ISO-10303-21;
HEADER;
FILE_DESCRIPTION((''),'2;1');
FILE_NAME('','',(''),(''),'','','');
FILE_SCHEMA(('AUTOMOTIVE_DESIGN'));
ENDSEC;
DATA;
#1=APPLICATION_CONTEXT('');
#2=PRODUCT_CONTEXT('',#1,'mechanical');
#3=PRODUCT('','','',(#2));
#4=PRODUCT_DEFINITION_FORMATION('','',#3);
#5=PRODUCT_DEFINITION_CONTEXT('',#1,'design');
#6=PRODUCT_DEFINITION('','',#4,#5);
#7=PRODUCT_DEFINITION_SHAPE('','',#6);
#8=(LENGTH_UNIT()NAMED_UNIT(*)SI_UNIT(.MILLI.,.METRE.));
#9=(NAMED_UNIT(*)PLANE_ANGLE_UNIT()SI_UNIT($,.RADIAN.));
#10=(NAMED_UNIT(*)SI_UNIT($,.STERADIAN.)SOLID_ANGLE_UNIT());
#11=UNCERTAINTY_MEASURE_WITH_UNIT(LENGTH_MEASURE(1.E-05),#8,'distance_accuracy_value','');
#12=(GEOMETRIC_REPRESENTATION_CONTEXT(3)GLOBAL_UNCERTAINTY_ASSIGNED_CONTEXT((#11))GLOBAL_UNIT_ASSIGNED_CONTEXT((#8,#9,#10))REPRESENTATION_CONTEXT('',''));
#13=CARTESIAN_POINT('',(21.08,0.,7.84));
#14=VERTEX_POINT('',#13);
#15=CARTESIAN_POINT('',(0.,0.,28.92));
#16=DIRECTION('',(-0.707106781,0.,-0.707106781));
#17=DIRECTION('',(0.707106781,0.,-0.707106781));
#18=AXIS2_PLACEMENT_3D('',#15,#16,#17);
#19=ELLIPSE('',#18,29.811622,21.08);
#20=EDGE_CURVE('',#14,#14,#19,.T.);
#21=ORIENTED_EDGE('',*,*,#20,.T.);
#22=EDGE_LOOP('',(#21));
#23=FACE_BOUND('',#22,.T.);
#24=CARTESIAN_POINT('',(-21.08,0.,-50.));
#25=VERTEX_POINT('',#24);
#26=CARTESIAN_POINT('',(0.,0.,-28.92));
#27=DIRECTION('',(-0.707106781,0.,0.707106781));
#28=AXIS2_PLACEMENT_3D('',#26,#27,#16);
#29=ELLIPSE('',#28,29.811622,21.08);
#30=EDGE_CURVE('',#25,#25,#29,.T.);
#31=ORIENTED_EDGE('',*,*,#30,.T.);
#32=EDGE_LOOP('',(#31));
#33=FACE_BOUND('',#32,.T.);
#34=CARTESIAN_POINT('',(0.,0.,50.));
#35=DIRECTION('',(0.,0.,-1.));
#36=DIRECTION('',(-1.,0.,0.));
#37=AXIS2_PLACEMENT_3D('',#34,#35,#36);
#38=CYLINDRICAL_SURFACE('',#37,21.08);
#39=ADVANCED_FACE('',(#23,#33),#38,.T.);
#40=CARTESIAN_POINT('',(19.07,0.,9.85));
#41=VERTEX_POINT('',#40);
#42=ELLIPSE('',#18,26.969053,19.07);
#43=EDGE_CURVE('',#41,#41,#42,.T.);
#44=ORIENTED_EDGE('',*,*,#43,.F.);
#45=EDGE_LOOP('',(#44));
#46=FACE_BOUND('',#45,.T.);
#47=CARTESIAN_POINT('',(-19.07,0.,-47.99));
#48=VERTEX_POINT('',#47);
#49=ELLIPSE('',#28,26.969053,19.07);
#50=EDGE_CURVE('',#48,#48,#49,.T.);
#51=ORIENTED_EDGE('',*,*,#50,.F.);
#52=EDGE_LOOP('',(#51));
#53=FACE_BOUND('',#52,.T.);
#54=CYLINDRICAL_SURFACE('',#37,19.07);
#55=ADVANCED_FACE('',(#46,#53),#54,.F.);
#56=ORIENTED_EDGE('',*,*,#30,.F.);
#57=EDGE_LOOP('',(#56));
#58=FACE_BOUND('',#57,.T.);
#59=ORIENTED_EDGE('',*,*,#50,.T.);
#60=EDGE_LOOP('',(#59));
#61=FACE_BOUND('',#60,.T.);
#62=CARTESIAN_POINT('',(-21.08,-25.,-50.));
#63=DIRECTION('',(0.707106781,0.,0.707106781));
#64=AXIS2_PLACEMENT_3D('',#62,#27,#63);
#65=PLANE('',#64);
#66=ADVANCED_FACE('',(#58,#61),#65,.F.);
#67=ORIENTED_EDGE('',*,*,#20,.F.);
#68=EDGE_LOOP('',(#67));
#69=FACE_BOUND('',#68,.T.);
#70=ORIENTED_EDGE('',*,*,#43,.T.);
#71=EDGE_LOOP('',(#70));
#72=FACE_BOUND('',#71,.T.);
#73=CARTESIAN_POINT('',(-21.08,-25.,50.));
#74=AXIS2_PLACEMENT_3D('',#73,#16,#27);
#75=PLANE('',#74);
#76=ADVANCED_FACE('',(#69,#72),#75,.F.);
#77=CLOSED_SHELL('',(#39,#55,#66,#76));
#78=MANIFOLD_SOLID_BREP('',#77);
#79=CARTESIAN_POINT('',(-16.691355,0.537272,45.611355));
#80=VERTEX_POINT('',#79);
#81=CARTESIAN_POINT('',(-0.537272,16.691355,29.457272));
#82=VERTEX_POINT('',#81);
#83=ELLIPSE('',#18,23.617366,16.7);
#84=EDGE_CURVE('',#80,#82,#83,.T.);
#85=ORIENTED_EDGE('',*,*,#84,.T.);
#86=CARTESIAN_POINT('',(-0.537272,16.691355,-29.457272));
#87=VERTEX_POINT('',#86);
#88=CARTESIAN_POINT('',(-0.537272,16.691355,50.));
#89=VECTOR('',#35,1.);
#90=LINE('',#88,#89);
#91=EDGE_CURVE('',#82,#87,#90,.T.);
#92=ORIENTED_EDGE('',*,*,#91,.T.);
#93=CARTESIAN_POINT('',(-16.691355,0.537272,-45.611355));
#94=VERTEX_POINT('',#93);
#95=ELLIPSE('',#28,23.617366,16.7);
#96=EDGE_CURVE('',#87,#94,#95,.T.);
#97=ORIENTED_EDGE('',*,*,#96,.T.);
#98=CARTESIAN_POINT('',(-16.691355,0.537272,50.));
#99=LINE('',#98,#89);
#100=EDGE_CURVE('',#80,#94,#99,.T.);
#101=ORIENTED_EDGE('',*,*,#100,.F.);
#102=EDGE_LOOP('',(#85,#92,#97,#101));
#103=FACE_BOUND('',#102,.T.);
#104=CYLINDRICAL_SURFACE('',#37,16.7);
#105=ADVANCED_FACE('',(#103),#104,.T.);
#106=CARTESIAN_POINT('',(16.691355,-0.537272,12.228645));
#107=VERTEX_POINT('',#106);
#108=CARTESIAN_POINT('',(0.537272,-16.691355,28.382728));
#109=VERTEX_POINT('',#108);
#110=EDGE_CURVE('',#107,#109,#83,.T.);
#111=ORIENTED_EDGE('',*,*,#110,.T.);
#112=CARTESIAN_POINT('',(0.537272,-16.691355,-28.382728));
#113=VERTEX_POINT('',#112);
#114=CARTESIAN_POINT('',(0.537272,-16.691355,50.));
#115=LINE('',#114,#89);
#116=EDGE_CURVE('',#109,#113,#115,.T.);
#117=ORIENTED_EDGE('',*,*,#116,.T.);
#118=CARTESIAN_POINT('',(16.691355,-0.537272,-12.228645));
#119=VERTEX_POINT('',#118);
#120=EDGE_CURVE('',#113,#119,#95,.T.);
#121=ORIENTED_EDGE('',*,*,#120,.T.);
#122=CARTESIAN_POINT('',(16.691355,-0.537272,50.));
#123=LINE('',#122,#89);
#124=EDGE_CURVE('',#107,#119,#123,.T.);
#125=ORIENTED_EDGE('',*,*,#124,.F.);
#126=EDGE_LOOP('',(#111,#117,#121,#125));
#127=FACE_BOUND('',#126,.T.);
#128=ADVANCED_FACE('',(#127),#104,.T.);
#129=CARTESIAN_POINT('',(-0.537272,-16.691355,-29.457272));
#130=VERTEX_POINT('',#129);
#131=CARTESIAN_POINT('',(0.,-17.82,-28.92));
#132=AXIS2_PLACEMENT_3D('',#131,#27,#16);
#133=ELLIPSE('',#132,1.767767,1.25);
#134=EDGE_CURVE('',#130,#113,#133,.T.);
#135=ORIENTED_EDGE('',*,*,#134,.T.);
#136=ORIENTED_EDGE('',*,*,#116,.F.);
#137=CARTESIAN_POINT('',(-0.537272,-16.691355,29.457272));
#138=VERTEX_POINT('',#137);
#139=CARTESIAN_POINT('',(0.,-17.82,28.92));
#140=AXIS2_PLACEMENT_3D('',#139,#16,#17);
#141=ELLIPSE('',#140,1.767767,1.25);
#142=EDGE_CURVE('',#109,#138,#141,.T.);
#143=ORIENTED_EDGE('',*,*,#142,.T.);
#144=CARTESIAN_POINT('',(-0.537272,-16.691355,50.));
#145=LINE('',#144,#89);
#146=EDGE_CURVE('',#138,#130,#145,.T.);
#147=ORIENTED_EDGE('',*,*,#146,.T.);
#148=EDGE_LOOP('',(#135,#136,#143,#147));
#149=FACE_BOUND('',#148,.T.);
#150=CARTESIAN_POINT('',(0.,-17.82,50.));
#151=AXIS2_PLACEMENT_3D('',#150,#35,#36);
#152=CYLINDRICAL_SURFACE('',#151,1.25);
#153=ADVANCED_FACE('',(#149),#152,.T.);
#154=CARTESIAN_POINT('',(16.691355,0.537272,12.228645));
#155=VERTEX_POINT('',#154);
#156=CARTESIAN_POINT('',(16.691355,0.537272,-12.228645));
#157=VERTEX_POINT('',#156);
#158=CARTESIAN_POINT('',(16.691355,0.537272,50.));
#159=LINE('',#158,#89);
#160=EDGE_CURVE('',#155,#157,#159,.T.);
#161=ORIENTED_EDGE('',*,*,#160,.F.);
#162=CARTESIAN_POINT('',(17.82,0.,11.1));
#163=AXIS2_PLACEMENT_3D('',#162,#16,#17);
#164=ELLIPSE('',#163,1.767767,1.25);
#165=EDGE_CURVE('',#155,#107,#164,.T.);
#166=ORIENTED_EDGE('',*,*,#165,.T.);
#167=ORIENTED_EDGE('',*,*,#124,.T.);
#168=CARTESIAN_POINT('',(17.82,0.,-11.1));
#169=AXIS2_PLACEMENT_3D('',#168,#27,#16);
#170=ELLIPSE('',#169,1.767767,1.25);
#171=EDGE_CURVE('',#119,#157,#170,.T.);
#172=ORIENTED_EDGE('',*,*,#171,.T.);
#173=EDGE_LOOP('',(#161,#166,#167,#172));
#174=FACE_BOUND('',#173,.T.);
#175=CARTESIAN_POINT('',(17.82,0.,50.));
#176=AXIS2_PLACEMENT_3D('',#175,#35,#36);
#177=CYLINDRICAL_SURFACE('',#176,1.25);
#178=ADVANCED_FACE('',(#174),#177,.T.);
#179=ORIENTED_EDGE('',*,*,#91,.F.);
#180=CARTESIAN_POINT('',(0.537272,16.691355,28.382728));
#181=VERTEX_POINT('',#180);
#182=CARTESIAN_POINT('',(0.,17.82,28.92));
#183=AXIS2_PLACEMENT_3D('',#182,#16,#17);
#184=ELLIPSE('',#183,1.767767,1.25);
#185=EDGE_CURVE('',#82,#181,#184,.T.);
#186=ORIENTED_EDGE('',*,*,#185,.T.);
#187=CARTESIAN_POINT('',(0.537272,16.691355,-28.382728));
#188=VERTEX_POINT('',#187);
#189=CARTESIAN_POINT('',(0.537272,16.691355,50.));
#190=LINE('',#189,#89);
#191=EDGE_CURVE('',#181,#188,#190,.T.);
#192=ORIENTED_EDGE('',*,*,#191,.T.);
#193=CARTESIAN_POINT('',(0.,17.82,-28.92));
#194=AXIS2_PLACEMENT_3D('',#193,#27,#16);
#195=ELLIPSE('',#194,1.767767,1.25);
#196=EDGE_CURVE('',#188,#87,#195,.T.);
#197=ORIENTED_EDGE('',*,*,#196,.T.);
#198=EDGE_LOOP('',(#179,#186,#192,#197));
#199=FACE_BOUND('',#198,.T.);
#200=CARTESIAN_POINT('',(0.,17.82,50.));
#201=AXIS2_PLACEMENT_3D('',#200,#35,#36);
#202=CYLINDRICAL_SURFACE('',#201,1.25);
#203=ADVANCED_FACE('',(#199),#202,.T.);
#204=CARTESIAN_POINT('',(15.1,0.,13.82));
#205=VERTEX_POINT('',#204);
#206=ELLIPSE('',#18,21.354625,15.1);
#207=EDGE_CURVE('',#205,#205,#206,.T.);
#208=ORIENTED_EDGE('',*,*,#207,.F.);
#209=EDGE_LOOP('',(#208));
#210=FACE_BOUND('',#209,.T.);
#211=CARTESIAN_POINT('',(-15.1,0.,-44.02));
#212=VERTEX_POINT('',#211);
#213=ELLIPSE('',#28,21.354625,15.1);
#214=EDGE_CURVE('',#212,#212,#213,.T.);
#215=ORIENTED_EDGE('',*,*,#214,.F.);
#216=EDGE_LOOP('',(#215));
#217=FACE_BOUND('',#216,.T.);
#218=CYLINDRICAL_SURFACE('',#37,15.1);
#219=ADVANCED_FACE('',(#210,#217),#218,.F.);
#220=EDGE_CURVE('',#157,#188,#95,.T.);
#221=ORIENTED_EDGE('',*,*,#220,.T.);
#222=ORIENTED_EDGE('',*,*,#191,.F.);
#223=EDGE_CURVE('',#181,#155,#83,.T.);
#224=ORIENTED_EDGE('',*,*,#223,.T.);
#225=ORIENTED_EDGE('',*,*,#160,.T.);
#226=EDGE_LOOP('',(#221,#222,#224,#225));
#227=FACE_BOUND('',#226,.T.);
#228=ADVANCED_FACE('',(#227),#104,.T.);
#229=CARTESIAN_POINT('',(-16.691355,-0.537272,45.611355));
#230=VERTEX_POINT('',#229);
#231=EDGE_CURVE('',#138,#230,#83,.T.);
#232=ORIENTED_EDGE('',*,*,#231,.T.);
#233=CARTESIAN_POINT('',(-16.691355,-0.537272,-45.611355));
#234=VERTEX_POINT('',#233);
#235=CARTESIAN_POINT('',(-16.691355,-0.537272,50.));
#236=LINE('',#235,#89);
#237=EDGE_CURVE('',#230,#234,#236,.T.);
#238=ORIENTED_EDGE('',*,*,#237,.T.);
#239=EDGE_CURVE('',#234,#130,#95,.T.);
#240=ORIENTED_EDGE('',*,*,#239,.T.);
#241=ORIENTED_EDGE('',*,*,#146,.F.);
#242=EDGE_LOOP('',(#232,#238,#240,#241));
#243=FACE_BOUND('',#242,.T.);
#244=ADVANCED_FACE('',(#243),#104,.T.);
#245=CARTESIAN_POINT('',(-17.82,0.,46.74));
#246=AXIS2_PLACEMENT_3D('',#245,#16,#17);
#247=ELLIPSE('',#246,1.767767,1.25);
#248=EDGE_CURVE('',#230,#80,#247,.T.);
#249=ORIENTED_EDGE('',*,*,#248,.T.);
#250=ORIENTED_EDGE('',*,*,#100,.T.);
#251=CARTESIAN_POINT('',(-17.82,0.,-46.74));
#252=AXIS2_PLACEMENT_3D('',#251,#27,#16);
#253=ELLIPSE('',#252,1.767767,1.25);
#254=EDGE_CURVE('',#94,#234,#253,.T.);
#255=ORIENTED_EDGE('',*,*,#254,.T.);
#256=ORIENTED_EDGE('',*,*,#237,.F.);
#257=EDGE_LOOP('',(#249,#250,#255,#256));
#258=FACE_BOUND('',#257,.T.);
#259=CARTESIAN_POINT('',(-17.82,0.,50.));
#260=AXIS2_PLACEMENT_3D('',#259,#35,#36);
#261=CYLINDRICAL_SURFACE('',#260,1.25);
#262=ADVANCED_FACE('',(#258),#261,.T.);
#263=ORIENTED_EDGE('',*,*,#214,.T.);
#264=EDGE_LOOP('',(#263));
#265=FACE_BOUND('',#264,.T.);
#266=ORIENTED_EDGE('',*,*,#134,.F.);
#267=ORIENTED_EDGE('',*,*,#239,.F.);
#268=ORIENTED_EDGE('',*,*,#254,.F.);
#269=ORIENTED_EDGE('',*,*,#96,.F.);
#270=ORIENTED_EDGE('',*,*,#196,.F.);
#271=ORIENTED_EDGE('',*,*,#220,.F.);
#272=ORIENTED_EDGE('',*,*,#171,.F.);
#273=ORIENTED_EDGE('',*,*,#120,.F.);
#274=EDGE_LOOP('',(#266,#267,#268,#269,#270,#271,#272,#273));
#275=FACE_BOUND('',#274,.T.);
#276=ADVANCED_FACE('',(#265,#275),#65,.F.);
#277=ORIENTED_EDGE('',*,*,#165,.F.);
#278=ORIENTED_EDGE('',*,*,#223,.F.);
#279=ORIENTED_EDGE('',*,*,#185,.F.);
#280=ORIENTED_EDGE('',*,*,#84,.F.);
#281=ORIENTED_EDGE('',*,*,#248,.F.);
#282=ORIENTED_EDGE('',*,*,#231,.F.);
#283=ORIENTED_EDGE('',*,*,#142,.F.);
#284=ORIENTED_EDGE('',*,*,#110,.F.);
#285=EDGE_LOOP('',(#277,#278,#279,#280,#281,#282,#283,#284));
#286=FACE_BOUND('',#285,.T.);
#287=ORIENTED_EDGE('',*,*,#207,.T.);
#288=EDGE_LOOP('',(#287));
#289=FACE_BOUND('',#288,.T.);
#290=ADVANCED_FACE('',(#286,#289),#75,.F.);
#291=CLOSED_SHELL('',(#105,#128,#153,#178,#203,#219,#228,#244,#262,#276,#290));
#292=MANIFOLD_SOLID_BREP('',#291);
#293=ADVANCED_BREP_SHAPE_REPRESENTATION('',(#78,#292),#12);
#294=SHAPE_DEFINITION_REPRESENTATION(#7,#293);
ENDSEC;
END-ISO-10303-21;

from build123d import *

# Parameters (mm, degrees)
SKETCH1_R             = 21.08
BOSS_EXTRUDE2_DEPTH   = 50
SKETCH1_R_2           = 15.1
BOSS_EXTRUDE2_2_DEPTH = 50
CUT_EXTRUDE1_START    = -21.08
CUT_EXTRUDE1_DEPTH    = 42.16


with BuildPart() as part:
    # Sketch1 → Boss-Extrude2 (new body, symmetric)
    with BuildSketch(Plane.XY):
        Circle(SKETCH1_R)
        with BuildLine():
            ThreePointArc((19.07, 0), (13.484526, -13.484526), (0, -19.07))
            ThreePointArc((0, -19.07), (-13.484526, -13.484526), (-19.07, 0))
            ThreePointArc((-19.07, 0), (-13.484526, 13.484526), (0, 19.07))
            ThreePointArc((0, 19.07), (13.484526, 13.484526), (19.07, 0))
        make_face(mode=Mode.SUBTRACT)
    extrude(amount=BOSS_EXTRUDE2_DEPTH, both=True)


with BuildPart() as body_2:
    # Sketch1 → Boss-Extrude2 2 (new body, symmetric)
    with BuildSketch(Plane.XY):
        with BuildLine():
            ThreePointArc((16.691355, -0.537272), (18.095403, -1.219284), (19.07, 0))
            ThreePointArc((19.07, 0), (18.095403, 1.219284), (16.691355, 0.537272))
            ThreePointArc((16.691355, 0.537272), (11.808683, 11.808683), (0.537272, 16.691355))
            ThreePointArc((0.537272, 16.691355), (1.219284, 18.095403), (0, 19.07))
            ThreePointArc((0, 19.07), (-1.219284, 18.095403), (-0.537272, 16.691355))
            ThreePointArc((-0.537272, 16.691355), (-11.808683, 11.808683), (-16.691355, 0.537272))
            ThreePointArc((-16.691355, 0.537272), (-18.095403, 1.219284), (-19.07, 0))
            ThreePointArc((-19.07, 0), (-18.095403, -1.219284), (-16.691355, -0.537272))
            ThreePointArc((-16.691355, -0.537272), (-11.808683, -11.808683), (-0.537272, -16.691355))
            ThreePointArc((-0.537272, -16.691355), (-1.219284, -18.095403), (0, -19.07))
            ThreePointArc((0, -19.07), (1.219284, -18.095403), (0.537272, -16.691355))
            ThreePointArc((0.537272, -16.691355), (11.808683, -11.808683), (16.691355, -0.537272))
        make_face()
        Circle(SKETCH1_R_2, mode=Mode.SUBTRACT)
    extrude(amount=BOSS_EXTRUDE2_2_DEPTH, both=True)


with BuildPart() as cut_extrude1_tool:
    # Sketch2 → Cut-Extrude1 (new body)
    with BuildSketch(Plane(origin=(0, 0, 0), x_dir=(1, 0, 0), z_dir=(0, 1, 0)).offset(CUT_EXTRUDE1_START)):
        Polygon((21.08, 50), (-21.08, 50), (21.08, 7.84), align=None)
        Polygon((21.08, -50), (-21.08, -50), (21.08, -7.84), align=None)
    extrude(amount=CUT_EXTRUDE1_DEPTH)


with BuildPart() as part_1:
    add(part.part)

    # Cut-Extrude1: cut by cut_extrude1_tool
    add(cut_extrude1_tool.part, mode=Mode.SUBTRACT)


with BuildPart() as body_2_1:
    add(body_2.part)

    # Cut-Extrude1: cut by cut_extrude1_tool
    add(cut_extrude1_tool.part, mode=Mode.SUBTRACT)


solid = Compound([part_1.part, body_2_1.part])
